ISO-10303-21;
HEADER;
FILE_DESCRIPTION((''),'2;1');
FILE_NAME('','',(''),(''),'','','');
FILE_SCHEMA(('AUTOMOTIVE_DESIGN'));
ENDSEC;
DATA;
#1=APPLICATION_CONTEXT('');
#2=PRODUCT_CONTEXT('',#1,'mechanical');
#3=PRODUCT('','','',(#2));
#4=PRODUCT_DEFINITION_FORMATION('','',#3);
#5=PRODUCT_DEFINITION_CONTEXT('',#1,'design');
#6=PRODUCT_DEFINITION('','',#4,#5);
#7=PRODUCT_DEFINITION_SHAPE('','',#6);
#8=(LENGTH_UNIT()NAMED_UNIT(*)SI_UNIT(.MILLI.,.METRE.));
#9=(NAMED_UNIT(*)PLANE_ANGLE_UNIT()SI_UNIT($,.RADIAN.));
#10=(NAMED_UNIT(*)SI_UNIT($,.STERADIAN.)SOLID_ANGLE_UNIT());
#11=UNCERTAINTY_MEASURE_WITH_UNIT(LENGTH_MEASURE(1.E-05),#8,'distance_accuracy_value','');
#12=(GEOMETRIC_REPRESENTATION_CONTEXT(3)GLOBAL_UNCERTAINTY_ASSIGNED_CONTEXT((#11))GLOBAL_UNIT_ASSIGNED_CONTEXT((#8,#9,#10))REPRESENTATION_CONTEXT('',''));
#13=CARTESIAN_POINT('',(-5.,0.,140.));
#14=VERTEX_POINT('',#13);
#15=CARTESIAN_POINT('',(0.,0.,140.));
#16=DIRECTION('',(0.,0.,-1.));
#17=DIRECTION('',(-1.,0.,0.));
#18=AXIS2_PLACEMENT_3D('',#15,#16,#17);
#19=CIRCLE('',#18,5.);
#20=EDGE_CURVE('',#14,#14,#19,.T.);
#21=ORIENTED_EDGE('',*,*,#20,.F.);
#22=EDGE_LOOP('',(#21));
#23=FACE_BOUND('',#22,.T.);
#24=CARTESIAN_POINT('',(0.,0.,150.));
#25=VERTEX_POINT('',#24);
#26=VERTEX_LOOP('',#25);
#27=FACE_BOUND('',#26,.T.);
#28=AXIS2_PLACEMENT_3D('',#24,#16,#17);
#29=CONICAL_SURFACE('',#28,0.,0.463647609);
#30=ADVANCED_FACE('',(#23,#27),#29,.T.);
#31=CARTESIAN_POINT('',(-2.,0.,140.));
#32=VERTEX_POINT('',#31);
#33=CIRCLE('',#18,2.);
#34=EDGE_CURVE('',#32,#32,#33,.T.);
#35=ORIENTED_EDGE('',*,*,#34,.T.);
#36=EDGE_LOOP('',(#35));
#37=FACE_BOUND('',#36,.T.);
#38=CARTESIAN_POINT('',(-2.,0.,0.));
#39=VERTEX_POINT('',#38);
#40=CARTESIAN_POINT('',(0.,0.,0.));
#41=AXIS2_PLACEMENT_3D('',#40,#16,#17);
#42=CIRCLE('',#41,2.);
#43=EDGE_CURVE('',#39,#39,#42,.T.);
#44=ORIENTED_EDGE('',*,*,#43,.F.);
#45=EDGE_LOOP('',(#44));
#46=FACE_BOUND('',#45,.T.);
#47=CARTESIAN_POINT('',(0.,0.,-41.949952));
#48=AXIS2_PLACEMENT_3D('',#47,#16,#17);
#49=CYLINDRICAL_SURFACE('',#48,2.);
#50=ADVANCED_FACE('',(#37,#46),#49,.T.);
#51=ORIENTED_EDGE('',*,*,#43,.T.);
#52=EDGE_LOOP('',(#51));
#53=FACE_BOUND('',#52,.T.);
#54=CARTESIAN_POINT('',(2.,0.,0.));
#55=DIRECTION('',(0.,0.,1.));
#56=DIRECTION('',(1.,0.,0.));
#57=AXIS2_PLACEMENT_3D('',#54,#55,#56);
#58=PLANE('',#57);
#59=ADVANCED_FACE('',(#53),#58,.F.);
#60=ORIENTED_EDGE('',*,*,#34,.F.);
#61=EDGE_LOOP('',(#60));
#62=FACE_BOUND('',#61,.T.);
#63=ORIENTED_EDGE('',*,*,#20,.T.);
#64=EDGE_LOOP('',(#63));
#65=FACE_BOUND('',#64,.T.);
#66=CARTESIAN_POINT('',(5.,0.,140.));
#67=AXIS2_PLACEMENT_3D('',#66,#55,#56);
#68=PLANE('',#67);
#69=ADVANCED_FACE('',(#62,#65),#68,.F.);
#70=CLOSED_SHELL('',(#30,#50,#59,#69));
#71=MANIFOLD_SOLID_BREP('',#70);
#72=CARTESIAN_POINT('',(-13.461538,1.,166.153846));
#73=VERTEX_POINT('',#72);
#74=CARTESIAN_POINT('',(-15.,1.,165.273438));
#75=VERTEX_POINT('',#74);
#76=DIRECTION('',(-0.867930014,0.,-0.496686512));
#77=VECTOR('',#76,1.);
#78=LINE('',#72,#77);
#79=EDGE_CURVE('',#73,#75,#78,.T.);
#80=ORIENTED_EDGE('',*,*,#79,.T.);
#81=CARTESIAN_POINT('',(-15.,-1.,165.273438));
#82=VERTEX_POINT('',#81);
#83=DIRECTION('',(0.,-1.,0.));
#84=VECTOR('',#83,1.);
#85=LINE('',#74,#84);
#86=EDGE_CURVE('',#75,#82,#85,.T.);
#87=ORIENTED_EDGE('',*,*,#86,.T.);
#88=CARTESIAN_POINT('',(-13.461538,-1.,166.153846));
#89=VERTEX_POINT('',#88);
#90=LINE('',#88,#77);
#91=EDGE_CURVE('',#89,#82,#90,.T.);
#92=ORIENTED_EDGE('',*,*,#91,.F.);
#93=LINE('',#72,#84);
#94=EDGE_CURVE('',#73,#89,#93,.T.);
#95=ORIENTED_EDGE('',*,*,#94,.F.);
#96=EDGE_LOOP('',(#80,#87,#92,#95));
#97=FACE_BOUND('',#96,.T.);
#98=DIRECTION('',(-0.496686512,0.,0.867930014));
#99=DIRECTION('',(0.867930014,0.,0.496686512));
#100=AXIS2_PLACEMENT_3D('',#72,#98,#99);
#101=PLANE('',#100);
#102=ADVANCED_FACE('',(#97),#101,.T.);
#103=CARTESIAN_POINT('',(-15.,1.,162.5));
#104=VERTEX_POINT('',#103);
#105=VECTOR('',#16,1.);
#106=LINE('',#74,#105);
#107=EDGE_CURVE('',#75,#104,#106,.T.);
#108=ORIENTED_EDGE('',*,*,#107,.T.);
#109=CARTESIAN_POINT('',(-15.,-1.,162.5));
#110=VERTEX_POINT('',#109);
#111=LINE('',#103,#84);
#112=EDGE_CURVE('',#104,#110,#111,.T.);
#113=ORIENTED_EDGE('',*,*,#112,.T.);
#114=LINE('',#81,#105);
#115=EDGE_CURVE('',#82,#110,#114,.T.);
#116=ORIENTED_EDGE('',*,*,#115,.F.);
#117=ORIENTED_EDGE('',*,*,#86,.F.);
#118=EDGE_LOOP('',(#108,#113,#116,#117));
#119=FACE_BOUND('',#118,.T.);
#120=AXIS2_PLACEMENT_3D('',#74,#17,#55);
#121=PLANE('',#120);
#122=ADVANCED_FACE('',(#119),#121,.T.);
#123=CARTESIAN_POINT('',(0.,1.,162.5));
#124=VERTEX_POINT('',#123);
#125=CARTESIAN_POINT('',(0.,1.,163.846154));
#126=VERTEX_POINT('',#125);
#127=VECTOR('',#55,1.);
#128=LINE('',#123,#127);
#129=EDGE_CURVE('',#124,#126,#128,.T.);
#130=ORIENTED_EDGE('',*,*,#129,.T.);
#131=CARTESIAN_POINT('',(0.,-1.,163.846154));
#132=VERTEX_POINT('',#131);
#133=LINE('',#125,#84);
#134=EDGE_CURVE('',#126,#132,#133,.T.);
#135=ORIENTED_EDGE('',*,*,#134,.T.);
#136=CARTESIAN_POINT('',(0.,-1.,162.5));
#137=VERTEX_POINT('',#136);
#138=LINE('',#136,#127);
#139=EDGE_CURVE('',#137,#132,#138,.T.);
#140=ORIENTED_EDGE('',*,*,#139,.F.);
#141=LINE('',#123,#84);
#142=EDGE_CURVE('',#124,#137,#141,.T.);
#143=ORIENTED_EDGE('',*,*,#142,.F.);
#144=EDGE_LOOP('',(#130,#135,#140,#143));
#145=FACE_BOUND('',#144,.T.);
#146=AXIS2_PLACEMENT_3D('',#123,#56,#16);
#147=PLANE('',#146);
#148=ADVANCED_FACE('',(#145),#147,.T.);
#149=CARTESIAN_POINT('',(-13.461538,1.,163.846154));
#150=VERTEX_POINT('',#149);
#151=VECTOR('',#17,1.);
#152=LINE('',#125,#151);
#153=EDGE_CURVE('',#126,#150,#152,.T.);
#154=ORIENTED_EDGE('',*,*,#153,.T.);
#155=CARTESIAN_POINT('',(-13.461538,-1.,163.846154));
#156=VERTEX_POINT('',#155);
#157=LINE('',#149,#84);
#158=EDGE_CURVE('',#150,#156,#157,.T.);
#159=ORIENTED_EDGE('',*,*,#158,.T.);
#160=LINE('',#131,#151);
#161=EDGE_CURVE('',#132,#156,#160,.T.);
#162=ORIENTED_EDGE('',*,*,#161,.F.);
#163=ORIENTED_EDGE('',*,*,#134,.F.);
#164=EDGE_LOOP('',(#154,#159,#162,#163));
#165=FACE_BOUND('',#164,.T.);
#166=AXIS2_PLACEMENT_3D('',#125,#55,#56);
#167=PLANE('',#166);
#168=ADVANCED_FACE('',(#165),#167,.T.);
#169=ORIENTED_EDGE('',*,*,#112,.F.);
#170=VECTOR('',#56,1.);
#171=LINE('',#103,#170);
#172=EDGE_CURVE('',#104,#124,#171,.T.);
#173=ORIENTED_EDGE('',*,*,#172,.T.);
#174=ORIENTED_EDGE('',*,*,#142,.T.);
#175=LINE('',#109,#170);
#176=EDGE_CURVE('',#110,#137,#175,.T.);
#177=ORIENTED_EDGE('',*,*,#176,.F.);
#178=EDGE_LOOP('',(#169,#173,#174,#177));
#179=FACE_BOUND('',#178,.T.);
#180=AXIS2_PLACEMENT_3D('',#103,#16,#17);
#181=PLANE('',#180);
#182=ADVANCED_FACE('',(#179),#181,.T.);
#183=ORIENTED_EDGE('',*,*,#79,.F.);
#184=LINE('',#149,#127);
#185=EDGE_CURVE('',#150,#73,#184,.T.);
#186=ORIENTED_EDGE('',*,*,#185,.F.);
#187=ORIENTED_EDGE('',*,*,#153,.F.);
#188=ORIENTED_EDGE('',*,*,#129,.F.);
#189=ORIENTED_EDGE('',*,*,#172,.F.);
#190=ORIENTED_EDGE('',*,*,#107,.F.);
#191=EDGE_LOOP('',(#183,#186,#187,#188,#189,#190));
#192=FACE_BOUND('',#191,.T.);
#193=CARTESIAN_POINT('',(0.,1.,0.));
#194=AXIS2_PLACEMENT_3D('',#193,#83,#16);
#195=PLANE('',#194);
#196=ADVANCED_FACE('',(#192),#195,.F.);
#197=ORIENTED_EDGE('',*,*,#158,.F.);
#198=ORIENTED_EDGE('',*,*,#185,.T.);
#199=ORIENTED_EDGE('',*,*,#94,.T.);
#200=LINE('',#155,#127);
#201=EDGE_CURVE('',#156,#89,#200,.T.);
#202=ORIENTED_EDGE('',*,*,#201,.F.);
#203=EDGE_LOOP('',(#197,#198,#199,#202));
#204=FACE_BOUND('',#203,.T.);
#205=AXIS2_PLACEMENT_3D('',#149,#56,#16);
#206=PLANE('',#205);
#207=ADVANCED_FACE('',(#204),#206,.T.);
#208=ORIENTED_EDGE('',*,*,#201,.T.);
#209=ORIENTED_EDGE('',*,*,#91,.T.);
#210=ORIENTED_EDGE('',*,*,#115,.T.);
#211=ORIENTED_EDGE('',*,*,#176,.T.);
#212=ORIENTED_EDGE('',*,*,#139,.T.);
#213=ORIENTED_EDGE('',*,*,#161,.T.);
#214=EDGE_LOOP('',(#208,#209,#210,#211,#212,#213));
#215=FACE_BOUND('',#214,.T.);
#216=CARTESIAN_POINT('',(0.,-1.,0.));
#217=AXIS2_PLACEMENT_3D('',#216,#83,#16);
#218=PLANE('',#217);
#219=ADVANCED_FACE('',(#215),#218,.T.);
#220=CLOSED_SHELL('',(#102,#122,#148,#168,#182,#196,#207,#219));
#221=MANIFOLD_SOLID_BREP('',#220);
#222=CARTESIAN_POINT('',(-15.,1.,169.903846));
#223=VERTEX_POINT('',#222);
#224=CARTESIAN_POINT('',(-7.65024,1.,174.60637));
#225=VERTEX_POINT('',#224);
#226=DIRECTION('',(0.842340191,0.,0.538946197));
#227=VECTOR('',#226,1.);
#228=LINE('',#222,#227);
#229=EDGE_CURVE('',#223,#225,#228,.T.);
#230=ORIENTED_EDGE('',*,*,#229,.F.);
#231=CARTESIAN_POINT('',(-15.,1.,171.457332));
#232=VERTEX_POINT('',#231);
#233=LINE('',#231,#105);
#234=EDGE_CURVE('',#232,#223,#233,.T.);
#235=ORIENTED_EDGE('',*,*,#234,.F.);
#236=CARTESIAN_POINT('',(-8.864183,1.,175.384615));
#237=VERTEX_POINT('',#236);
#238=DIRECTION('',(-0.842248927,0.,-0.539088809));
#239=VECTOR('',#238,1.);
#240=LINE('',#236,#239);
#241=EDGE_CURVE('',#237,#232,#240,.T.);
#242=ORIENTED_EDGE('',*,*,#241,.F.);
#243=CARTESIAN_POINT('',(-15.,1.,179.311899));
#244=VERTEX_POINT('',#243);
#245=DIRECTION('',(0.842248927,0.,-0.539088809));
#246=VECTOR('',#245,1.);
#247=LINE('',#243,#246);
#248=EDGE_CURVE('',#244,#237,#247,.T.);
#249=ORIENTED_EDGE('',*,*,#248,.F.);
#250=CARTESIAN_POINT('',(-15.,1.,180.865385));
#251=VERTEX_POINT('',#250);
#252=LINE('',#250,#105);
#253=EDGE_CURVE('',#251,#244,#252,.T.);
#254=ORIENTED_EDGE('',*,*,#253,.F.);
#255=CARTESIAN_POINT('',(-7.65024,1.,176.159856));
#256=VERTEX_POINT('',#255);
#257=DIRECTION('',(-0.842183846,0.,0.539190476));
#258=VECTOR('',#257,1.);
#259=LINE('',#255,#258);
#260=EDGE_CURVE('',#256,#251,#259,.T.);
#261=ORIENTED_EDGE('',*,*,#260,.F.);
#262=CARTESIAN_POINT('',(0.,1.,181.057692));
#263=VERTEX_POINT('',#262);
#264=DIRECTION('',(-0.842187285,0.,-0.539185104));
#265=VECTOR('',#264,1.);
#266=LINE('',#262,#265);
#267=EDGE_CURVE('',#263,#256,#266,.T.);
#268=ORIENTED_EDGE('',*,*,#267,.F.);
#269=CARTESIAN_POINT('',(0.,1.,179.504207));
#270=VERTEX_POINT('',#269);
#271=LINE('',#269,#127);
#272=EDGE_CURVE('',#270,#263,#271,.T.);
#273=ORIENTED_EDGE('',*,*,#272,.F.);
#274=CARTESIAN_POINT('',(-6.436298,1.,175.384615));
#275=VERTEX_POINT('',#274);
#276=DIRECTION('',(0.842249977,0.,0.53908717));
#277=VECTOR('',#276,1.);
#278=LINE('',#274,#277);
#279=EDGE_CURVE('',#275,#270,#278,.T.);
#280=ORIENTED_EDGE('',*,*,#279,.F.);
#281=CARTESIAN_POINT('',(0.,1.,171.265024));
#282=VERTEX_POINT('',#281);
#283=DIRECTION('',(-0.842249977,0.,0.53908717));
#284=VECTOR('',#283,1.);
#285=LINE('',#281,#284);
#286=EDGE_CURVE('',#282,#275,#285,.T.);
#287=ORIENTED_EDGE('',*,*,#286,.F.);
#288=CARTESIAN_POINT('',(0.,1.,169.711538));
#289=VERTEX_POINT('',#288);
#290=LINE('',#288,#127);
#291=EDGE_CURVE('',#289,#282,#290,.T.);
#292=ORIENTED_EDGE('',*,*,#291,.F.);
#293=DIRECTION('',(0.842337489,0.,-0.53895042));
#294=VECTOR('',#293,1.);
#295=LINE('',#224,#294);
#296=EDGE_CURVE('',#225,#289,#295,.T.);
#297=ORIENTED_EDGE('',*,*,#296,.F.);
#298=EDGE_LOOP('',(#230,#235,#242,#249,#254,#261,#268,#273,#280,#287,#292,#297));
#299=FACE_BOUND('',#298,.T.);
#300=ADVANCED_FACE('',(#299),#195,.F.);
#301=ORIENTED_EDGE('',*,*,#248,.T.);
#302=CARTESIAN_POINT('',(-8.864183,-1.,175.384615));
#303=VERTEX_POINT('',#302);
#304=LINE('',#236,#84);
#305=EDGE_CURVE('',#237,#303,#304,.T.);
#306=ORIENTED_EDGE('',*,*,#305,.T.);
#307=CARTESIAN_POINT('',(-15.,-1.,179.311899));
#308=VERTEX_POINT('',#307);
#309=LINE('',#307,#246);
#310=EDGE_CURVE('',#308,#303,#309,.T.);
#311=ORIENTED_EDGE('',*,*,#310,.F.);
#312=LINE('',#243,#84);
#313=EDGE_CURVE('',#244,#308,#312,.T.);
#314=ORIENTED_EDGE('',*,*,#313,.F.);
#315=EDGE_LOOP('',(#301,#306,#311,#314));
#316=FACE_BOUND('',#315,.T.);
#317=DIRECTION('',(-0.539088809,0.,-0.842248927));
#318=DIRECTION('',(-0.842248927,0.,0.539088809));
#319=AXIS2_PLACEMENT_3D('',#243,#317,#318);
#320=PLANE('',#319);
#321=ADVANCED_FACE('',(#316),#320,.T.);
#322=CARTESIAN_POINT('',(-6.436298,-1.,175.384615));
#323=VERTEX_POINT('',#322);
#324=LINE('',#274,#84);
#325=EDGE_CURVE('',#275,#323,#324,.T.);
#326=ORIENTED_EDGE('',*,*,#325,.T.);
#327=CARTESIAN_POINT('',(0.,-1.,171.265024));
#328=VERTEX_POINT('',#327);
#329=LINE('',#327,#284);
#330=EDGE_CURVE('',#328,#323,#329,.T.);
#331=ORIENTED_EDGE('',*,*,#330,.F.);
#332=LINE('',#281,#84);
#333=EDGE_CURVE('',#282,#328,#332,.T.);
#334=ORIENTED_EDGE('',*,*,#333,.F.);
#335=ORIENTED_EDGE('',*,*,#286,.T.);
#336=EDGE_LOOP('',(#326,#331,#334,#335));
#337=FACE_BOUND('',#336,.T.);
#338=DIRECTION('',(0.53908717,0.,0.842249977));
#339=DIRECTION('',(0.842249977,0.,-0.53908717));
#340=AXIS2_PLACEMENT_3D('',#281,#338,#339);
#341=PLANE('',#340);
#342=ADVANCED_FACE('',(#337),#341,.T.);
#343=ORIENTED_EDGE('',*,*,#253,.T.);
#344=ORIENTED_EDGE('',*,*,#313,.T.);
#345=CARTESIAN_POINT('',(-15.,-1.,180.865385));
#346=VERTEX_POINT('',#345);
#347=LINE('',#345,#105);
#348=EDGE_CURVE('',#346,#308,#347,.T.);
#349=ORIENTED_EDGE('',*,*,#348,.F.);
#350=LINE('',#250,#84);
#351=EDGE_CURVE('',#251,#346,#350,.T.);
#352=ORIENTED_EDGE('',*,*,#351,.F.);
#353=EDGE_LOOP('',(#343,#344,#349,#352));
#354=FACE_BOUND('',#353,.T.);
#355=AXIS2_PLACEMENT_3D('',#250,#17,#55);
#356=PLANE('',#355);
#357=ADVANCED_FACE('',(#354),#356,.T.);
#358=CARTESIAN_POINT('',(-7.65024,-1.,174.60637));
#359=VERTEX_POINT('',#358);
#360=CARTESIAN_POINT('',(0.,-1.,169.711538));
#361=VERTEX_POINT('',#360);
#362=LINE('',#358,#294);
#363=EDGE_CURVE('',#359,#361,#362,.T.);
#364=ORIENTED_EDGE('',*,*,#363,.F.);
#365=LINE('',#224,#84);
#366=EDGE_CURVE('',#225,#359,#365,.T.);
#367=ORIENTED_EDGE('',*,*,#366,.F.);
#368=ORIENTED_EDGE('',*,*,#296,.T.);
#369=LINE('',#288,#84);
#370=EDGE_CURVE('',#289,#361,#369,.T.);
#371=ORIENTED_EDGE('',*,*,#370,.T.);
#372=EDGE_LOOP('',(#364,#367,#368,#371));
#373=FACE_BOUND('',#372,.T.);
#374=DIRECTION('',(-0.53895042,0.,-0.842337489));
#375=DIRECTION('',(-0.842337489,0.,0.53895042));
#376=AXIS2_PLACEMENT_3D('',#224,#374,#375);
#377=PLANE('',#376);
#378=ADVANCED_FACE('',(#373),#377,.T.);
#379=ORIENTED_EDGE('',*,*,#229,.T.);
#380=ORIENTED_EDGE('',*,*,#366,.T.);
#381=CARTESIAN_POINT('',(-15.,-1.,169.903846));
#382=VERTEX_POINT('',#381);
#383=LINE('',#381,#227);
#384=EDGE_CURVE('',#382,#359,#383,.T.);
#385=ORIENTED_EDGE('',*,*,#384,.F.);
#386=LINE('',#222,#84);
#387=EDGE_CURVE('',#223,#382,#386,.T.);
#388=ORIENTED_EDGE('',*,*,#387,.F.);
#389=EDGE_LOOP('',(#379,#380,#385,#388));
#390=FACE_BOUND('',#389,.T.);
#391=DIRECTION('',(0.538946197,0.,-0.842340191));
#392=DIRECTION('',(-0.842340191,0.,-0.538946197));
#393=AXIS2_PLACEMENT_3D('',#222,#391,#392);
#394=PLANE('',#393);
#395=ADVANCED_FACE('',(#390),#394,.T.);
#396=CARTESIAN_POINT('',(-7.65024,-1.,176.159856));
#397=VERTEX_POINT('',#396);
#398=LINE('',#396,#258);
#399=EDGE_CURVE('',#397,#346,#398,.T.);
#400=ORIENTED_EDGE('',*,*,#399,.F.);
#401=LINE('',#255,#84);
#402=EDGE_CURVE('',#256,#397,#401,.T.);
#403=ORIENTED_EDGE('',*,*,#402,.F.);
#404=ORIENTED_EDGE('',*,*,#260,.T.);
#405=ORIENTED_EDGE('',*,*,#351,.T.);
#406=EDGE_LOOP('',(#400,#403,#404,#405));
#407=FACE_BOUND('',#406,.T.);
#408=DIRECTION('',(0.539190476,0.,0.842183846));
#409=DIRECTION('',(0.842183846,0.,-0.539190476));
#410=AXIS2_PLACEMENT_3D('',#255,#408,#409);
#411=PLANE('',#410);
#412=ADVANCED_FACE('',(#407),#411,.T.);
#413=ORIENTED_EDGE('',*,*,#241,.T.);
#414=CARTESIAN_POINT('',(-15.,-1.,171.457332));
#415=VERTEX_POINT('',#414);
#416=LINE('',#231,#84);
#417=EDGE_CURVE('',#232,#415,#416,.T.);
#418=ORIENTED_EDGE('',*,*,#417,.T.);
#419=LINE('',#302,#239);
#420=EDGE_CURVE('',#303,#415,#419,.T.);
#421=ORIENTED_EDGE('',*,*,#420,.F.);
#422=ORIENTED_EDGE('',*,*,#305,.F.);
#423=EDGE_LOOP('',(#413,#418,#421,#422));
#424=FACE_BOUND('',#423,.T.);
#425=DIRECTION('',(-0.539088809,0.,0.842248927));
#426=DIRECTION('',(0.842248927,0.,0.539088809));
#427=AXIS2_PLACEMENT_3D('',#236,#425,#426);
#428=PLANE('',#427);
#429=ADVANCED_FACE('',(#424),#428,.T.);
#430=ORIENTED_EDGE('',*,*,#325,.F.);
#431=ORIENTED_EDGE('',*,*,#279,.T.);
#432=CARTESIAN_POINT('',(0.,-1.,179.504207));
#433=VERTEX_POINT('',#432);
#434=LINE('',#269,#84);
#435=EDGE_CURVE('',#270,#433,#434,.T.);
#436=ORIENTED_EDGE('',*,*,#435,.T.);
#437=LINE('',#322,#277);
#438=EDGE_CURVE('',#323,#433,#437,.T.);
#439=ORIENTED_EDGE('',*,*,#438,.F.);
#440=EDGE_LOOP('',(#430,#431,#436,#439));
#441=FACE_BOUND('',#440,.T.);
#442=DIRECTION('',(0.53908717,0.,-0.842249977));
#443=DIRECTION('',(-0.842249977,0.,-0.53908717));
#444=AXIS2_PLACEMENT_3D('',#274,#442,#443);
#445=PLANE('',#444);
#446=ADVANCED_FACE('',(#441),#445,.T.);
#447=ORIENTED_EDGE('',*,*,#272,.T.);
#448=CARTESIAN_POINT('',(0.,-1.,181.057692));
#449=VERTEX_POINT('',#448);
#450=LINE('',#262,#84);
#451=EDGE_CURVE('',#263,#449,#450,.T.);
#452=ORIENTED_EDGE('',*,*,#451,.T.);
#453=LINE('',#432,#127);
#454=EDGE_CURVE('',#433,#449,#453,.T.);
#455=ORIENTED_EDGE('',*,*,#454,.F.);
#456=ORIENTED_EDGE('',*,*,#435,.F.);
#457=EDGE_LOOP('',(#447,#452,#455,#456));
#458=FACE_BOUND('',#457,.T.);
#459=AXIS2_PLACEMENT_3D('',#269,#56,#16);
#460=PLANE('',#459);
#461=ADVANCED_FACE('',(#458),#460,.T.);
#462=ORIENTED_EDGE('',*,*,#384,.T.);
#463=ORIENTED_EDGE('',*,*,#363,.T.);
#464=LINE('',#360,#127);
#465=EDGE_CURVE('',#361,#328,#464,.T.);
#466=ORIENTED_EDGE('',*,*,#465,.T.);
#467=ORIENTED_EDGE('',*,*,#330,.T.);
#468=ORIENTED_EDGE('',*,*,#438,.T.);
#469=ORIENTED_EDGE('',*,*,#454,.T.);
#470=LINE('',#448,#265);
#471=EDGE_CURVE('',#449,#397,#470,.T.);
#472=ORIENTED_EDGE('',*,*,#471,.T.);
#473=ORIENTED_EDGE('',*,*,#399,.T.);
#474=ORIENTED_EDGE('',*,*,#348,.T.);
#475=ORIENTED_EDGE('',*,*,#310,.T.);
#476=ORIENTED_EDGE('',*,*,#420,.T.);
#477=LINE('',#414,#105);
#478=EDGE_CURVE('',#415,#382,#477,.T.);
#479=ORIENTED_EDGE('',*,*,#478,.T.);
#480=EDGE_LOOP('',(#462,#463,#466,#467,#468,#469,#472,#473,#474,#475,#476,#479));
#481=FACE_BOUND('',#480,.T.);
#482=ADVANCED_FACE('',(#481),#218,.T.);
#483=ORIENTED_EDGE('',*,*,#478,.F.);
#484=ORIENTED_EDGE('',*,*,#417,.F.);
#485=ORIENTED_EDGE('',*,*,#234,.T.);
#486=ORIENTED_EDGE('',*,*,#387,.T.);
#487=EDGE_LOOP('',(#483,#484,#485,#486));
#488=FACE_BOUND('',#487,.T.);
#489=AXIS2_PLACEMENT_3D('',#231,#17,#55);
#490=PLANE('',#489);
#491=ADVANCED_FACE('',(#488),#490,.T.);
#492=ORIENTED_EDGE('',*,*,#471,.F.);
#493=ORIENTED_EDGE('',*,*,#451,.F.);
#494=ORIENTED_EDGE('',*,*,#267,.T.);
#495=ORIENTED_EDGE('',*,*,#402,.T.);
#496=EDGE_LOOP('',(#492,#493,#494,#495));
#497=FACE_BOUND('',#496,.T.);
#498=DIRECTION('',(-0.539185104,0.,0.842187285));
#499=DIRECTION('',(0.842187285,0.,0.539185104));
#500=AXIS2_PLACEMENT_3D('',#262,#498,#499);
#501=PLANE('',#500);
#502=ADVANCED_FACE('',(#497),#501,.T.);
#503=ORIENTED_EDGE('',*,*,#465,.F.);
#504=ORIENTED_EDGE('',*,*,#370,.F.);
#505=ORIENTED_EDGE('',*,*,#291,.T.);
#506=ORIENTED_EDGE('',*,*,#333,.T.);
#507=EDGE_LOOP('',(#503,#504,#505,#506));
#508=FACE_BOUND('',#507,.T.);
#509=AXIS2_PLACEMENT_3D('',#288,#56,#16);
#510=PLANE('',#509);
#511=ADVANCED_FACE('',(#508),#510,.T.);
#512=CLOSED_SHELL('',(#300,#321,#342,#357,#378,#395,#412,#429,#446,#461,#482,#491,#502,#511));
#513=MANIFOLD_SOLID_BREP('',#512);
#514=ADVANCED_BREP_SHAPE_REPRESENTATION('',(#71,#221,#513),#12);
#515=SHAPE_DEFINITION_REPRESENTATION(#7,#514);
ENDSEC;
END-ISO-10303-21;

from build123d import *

# Parameters (mm, degrees)
BOSS_EXTRUDE1_DEPTH        = 1
BOSS_EXTRUDE1_DEPTH_BACK   = 1
BOSS_EXTRUDE1_2_DEPTH      = 1
BOSS_EXTRUDE1_2_DEPTH_BACK = 1


with BuildPart() as part:
    # Sketch2 → Revolve1 (revolve)
    with BuildSketch(Plane(origin=(0, 0, 0), x_dir=(1, 0, 0), z_dir=(0, 1, 0))):
        Polygon((0, -150), (5, -140), (2, -140), (2, 0), (0, 0), align=None)
    revolve(axis=Axis((0, 0, -41.949952025), (0, 0, 1)))


with BuildPart() as body_2:
    # Sketch3 → Boss-Extrude1 (new, two sides: drawn at the far end of the back side and taken through both)
    with BuildSketch(Plane(origin=(0, 0, 0), x_dir=(1, 0, 0), z_dir=(0, 1, 0)).offset(-BOSS_EXTRUDE1_DEPTH_BACK)):
        Polygon((-15, -165.2734375), (-15, -162.5), (0, -162.5), (0, -163.846153846), (-13.461538462, -163.846153846), (-13.461538462, -166.153846154), align=None)
    extrude(amount=BOSS_EXTRUDE1_DEPTH + BOSS_EXTRUDE1_DEPTH_BACK)


with BuildPart() as body_3:
    # Sketch3 → Boss-Extrude1 2 (new, two sides: drawn at the far end of the back side and taken through both)
    with BuildSketch(Plane(origin=(0, 0, 0), x_dir=(1, 0, 0), z_dir=(0, 1, 0)).offset(-BOSS_EXTRUDE1_2_DEPTH_BACK)):
        Polygon((-15, -180.865384615), (-15, -179.311899038), (-8.864182692, -175.384615385), (-15, -171.457331731), (-15, -169.903846154), (-7.650240385, -174.606370192), (0, -169.711538462), (0, -171.265024038), (-6.436298077, -175.384615385), (0, -179.504206731), (0, -181.057692308), (-7.650240385, -176.159855769), align=None)
    extrude(amount=BOSS_EXTRUDE1_2_DEPTH + BOSS_EXTRUDE1_2_DEPTH_BACK)


solid = Compound([part.part, body_2.part, body_3.part])
